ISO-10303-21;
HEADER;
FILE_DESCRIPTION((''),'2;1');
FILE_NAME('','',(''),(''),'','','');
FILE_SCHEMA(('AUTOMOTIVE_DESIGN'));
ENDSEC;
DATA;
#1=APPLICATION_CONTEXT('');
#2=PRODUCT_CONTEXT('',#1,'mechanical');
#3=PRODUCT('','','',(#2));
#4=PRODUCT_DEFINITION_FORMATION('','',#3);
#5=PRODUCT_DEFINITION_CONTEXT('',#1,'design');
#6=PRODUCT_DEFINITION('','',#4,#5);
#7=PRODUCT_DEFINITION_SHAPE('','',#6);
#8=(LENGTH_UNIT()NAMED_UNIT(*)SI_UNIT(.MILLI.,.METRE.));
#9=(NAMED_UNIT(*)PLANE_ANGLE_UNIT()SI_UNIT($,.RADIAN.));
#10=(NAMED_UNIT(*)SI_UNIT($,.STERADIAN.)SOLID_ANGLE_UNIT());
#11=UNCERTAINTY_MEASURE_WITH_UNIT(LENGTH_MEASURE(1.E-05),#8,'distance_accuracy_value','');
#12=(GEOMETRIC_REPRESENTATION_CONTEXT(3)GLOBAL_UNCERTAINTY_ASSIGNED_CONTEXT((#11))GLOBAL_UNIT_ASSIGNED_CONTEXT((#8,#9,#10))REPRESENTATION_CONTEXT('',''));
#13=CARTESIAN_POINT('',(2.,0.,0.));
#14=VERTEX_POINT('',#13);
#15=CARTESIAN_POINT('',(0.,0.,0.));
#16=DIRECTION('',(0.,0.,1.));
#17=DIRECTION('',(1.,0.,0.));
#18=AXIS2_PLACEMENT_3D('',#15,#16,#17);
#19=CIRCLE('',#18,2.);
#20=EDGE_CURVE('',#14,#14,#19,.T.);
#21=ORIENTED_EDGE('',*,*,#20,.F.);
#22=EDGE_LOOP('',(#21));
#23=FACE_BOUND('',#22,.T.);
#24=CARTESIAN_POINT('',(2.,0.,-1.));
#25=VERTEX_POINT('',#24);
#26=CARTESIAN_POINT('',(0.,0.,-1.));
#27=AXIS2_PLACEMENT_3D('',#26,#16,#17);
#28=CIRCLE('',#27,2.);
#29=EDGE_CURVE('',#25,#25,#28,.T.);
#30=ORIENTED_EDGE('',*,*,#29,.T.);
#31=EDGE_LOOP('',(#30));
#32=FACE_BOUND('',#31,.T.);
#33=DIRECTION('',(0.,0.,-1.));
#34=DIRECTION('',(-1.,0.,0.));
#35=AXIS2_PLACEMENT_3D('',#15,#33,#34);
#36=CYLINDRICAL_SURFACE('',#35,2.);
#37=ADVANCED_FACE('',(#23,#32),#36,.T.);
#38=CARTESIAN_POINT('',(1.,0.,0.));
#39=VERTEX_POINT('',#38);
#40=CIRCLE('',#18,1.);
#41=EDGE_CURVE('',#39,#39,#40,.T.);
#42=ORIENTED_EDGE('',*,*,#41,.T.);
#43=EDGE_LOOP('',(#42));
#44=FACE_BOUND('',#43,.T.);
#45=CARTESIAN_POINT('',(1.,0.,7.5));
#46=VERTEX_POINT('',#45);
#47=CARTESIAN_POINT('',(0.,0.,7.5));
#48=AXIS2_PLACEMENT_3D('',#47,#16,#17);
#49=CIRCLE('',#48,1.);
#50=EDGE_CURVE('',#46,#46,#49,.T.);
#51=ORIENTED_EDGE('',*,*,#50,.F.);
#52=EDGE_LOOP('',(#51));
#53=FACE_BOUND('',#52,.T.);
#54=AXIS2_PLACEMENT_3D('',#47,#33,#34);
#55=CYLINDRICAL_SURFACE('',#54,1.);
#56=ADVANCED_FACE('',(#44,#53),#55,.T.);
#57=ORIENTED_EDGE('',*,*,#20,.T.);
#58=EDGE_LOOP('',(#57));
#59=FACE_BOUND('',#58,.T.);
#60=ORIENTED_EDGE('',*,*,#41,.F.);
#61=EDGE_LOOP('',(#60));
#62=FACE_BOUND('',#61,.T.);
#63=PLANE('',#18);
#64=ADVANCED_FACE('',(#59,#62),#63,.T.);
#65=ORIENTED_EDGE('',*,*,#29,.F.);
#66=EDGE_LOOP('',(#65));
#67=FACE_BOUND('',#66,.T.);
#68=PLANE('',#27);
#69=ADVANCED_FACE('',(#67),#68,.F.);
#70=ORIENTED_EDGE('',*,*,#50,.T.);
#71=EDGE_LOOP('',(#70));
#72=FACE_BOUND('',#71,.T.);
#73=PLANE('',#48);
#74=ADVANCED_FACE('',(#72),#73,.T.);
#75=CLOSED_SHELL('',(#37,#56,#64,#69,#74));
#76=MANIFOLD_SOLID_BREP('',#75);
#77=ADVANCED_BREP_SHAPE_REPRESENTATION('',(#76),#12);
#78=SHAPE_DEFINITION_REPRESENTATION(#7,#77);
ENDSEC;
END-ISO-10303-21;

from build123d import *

# Parameters (mm, degrees)
REFERENCE_HEAD_START  = -1
SKETCH1_R             = 2
REFERENCE_HEAD_DEPTH  = 1
SKETCH2_R             = 1
REFERENCE_SHANK_DEPTH = 7.5


with BuildPart() as part:
    # Sketch1 → Reference_Head (new body)
    with BuildSketch(Plane.XY.offset(REFERENCE_HEAD_START)):
        Circle(SKETCH1_R)
    extrude(amount=REFERENCE_HEAD_DEPTH)

    # Sketch2 → Reference_Shank (add)
    with BuildSketch(Plane.XY):
        Circle(SKETCH2_R)
    extrude(amount=REFERENCE_SHANK_DEPTH)


solid = part.part
